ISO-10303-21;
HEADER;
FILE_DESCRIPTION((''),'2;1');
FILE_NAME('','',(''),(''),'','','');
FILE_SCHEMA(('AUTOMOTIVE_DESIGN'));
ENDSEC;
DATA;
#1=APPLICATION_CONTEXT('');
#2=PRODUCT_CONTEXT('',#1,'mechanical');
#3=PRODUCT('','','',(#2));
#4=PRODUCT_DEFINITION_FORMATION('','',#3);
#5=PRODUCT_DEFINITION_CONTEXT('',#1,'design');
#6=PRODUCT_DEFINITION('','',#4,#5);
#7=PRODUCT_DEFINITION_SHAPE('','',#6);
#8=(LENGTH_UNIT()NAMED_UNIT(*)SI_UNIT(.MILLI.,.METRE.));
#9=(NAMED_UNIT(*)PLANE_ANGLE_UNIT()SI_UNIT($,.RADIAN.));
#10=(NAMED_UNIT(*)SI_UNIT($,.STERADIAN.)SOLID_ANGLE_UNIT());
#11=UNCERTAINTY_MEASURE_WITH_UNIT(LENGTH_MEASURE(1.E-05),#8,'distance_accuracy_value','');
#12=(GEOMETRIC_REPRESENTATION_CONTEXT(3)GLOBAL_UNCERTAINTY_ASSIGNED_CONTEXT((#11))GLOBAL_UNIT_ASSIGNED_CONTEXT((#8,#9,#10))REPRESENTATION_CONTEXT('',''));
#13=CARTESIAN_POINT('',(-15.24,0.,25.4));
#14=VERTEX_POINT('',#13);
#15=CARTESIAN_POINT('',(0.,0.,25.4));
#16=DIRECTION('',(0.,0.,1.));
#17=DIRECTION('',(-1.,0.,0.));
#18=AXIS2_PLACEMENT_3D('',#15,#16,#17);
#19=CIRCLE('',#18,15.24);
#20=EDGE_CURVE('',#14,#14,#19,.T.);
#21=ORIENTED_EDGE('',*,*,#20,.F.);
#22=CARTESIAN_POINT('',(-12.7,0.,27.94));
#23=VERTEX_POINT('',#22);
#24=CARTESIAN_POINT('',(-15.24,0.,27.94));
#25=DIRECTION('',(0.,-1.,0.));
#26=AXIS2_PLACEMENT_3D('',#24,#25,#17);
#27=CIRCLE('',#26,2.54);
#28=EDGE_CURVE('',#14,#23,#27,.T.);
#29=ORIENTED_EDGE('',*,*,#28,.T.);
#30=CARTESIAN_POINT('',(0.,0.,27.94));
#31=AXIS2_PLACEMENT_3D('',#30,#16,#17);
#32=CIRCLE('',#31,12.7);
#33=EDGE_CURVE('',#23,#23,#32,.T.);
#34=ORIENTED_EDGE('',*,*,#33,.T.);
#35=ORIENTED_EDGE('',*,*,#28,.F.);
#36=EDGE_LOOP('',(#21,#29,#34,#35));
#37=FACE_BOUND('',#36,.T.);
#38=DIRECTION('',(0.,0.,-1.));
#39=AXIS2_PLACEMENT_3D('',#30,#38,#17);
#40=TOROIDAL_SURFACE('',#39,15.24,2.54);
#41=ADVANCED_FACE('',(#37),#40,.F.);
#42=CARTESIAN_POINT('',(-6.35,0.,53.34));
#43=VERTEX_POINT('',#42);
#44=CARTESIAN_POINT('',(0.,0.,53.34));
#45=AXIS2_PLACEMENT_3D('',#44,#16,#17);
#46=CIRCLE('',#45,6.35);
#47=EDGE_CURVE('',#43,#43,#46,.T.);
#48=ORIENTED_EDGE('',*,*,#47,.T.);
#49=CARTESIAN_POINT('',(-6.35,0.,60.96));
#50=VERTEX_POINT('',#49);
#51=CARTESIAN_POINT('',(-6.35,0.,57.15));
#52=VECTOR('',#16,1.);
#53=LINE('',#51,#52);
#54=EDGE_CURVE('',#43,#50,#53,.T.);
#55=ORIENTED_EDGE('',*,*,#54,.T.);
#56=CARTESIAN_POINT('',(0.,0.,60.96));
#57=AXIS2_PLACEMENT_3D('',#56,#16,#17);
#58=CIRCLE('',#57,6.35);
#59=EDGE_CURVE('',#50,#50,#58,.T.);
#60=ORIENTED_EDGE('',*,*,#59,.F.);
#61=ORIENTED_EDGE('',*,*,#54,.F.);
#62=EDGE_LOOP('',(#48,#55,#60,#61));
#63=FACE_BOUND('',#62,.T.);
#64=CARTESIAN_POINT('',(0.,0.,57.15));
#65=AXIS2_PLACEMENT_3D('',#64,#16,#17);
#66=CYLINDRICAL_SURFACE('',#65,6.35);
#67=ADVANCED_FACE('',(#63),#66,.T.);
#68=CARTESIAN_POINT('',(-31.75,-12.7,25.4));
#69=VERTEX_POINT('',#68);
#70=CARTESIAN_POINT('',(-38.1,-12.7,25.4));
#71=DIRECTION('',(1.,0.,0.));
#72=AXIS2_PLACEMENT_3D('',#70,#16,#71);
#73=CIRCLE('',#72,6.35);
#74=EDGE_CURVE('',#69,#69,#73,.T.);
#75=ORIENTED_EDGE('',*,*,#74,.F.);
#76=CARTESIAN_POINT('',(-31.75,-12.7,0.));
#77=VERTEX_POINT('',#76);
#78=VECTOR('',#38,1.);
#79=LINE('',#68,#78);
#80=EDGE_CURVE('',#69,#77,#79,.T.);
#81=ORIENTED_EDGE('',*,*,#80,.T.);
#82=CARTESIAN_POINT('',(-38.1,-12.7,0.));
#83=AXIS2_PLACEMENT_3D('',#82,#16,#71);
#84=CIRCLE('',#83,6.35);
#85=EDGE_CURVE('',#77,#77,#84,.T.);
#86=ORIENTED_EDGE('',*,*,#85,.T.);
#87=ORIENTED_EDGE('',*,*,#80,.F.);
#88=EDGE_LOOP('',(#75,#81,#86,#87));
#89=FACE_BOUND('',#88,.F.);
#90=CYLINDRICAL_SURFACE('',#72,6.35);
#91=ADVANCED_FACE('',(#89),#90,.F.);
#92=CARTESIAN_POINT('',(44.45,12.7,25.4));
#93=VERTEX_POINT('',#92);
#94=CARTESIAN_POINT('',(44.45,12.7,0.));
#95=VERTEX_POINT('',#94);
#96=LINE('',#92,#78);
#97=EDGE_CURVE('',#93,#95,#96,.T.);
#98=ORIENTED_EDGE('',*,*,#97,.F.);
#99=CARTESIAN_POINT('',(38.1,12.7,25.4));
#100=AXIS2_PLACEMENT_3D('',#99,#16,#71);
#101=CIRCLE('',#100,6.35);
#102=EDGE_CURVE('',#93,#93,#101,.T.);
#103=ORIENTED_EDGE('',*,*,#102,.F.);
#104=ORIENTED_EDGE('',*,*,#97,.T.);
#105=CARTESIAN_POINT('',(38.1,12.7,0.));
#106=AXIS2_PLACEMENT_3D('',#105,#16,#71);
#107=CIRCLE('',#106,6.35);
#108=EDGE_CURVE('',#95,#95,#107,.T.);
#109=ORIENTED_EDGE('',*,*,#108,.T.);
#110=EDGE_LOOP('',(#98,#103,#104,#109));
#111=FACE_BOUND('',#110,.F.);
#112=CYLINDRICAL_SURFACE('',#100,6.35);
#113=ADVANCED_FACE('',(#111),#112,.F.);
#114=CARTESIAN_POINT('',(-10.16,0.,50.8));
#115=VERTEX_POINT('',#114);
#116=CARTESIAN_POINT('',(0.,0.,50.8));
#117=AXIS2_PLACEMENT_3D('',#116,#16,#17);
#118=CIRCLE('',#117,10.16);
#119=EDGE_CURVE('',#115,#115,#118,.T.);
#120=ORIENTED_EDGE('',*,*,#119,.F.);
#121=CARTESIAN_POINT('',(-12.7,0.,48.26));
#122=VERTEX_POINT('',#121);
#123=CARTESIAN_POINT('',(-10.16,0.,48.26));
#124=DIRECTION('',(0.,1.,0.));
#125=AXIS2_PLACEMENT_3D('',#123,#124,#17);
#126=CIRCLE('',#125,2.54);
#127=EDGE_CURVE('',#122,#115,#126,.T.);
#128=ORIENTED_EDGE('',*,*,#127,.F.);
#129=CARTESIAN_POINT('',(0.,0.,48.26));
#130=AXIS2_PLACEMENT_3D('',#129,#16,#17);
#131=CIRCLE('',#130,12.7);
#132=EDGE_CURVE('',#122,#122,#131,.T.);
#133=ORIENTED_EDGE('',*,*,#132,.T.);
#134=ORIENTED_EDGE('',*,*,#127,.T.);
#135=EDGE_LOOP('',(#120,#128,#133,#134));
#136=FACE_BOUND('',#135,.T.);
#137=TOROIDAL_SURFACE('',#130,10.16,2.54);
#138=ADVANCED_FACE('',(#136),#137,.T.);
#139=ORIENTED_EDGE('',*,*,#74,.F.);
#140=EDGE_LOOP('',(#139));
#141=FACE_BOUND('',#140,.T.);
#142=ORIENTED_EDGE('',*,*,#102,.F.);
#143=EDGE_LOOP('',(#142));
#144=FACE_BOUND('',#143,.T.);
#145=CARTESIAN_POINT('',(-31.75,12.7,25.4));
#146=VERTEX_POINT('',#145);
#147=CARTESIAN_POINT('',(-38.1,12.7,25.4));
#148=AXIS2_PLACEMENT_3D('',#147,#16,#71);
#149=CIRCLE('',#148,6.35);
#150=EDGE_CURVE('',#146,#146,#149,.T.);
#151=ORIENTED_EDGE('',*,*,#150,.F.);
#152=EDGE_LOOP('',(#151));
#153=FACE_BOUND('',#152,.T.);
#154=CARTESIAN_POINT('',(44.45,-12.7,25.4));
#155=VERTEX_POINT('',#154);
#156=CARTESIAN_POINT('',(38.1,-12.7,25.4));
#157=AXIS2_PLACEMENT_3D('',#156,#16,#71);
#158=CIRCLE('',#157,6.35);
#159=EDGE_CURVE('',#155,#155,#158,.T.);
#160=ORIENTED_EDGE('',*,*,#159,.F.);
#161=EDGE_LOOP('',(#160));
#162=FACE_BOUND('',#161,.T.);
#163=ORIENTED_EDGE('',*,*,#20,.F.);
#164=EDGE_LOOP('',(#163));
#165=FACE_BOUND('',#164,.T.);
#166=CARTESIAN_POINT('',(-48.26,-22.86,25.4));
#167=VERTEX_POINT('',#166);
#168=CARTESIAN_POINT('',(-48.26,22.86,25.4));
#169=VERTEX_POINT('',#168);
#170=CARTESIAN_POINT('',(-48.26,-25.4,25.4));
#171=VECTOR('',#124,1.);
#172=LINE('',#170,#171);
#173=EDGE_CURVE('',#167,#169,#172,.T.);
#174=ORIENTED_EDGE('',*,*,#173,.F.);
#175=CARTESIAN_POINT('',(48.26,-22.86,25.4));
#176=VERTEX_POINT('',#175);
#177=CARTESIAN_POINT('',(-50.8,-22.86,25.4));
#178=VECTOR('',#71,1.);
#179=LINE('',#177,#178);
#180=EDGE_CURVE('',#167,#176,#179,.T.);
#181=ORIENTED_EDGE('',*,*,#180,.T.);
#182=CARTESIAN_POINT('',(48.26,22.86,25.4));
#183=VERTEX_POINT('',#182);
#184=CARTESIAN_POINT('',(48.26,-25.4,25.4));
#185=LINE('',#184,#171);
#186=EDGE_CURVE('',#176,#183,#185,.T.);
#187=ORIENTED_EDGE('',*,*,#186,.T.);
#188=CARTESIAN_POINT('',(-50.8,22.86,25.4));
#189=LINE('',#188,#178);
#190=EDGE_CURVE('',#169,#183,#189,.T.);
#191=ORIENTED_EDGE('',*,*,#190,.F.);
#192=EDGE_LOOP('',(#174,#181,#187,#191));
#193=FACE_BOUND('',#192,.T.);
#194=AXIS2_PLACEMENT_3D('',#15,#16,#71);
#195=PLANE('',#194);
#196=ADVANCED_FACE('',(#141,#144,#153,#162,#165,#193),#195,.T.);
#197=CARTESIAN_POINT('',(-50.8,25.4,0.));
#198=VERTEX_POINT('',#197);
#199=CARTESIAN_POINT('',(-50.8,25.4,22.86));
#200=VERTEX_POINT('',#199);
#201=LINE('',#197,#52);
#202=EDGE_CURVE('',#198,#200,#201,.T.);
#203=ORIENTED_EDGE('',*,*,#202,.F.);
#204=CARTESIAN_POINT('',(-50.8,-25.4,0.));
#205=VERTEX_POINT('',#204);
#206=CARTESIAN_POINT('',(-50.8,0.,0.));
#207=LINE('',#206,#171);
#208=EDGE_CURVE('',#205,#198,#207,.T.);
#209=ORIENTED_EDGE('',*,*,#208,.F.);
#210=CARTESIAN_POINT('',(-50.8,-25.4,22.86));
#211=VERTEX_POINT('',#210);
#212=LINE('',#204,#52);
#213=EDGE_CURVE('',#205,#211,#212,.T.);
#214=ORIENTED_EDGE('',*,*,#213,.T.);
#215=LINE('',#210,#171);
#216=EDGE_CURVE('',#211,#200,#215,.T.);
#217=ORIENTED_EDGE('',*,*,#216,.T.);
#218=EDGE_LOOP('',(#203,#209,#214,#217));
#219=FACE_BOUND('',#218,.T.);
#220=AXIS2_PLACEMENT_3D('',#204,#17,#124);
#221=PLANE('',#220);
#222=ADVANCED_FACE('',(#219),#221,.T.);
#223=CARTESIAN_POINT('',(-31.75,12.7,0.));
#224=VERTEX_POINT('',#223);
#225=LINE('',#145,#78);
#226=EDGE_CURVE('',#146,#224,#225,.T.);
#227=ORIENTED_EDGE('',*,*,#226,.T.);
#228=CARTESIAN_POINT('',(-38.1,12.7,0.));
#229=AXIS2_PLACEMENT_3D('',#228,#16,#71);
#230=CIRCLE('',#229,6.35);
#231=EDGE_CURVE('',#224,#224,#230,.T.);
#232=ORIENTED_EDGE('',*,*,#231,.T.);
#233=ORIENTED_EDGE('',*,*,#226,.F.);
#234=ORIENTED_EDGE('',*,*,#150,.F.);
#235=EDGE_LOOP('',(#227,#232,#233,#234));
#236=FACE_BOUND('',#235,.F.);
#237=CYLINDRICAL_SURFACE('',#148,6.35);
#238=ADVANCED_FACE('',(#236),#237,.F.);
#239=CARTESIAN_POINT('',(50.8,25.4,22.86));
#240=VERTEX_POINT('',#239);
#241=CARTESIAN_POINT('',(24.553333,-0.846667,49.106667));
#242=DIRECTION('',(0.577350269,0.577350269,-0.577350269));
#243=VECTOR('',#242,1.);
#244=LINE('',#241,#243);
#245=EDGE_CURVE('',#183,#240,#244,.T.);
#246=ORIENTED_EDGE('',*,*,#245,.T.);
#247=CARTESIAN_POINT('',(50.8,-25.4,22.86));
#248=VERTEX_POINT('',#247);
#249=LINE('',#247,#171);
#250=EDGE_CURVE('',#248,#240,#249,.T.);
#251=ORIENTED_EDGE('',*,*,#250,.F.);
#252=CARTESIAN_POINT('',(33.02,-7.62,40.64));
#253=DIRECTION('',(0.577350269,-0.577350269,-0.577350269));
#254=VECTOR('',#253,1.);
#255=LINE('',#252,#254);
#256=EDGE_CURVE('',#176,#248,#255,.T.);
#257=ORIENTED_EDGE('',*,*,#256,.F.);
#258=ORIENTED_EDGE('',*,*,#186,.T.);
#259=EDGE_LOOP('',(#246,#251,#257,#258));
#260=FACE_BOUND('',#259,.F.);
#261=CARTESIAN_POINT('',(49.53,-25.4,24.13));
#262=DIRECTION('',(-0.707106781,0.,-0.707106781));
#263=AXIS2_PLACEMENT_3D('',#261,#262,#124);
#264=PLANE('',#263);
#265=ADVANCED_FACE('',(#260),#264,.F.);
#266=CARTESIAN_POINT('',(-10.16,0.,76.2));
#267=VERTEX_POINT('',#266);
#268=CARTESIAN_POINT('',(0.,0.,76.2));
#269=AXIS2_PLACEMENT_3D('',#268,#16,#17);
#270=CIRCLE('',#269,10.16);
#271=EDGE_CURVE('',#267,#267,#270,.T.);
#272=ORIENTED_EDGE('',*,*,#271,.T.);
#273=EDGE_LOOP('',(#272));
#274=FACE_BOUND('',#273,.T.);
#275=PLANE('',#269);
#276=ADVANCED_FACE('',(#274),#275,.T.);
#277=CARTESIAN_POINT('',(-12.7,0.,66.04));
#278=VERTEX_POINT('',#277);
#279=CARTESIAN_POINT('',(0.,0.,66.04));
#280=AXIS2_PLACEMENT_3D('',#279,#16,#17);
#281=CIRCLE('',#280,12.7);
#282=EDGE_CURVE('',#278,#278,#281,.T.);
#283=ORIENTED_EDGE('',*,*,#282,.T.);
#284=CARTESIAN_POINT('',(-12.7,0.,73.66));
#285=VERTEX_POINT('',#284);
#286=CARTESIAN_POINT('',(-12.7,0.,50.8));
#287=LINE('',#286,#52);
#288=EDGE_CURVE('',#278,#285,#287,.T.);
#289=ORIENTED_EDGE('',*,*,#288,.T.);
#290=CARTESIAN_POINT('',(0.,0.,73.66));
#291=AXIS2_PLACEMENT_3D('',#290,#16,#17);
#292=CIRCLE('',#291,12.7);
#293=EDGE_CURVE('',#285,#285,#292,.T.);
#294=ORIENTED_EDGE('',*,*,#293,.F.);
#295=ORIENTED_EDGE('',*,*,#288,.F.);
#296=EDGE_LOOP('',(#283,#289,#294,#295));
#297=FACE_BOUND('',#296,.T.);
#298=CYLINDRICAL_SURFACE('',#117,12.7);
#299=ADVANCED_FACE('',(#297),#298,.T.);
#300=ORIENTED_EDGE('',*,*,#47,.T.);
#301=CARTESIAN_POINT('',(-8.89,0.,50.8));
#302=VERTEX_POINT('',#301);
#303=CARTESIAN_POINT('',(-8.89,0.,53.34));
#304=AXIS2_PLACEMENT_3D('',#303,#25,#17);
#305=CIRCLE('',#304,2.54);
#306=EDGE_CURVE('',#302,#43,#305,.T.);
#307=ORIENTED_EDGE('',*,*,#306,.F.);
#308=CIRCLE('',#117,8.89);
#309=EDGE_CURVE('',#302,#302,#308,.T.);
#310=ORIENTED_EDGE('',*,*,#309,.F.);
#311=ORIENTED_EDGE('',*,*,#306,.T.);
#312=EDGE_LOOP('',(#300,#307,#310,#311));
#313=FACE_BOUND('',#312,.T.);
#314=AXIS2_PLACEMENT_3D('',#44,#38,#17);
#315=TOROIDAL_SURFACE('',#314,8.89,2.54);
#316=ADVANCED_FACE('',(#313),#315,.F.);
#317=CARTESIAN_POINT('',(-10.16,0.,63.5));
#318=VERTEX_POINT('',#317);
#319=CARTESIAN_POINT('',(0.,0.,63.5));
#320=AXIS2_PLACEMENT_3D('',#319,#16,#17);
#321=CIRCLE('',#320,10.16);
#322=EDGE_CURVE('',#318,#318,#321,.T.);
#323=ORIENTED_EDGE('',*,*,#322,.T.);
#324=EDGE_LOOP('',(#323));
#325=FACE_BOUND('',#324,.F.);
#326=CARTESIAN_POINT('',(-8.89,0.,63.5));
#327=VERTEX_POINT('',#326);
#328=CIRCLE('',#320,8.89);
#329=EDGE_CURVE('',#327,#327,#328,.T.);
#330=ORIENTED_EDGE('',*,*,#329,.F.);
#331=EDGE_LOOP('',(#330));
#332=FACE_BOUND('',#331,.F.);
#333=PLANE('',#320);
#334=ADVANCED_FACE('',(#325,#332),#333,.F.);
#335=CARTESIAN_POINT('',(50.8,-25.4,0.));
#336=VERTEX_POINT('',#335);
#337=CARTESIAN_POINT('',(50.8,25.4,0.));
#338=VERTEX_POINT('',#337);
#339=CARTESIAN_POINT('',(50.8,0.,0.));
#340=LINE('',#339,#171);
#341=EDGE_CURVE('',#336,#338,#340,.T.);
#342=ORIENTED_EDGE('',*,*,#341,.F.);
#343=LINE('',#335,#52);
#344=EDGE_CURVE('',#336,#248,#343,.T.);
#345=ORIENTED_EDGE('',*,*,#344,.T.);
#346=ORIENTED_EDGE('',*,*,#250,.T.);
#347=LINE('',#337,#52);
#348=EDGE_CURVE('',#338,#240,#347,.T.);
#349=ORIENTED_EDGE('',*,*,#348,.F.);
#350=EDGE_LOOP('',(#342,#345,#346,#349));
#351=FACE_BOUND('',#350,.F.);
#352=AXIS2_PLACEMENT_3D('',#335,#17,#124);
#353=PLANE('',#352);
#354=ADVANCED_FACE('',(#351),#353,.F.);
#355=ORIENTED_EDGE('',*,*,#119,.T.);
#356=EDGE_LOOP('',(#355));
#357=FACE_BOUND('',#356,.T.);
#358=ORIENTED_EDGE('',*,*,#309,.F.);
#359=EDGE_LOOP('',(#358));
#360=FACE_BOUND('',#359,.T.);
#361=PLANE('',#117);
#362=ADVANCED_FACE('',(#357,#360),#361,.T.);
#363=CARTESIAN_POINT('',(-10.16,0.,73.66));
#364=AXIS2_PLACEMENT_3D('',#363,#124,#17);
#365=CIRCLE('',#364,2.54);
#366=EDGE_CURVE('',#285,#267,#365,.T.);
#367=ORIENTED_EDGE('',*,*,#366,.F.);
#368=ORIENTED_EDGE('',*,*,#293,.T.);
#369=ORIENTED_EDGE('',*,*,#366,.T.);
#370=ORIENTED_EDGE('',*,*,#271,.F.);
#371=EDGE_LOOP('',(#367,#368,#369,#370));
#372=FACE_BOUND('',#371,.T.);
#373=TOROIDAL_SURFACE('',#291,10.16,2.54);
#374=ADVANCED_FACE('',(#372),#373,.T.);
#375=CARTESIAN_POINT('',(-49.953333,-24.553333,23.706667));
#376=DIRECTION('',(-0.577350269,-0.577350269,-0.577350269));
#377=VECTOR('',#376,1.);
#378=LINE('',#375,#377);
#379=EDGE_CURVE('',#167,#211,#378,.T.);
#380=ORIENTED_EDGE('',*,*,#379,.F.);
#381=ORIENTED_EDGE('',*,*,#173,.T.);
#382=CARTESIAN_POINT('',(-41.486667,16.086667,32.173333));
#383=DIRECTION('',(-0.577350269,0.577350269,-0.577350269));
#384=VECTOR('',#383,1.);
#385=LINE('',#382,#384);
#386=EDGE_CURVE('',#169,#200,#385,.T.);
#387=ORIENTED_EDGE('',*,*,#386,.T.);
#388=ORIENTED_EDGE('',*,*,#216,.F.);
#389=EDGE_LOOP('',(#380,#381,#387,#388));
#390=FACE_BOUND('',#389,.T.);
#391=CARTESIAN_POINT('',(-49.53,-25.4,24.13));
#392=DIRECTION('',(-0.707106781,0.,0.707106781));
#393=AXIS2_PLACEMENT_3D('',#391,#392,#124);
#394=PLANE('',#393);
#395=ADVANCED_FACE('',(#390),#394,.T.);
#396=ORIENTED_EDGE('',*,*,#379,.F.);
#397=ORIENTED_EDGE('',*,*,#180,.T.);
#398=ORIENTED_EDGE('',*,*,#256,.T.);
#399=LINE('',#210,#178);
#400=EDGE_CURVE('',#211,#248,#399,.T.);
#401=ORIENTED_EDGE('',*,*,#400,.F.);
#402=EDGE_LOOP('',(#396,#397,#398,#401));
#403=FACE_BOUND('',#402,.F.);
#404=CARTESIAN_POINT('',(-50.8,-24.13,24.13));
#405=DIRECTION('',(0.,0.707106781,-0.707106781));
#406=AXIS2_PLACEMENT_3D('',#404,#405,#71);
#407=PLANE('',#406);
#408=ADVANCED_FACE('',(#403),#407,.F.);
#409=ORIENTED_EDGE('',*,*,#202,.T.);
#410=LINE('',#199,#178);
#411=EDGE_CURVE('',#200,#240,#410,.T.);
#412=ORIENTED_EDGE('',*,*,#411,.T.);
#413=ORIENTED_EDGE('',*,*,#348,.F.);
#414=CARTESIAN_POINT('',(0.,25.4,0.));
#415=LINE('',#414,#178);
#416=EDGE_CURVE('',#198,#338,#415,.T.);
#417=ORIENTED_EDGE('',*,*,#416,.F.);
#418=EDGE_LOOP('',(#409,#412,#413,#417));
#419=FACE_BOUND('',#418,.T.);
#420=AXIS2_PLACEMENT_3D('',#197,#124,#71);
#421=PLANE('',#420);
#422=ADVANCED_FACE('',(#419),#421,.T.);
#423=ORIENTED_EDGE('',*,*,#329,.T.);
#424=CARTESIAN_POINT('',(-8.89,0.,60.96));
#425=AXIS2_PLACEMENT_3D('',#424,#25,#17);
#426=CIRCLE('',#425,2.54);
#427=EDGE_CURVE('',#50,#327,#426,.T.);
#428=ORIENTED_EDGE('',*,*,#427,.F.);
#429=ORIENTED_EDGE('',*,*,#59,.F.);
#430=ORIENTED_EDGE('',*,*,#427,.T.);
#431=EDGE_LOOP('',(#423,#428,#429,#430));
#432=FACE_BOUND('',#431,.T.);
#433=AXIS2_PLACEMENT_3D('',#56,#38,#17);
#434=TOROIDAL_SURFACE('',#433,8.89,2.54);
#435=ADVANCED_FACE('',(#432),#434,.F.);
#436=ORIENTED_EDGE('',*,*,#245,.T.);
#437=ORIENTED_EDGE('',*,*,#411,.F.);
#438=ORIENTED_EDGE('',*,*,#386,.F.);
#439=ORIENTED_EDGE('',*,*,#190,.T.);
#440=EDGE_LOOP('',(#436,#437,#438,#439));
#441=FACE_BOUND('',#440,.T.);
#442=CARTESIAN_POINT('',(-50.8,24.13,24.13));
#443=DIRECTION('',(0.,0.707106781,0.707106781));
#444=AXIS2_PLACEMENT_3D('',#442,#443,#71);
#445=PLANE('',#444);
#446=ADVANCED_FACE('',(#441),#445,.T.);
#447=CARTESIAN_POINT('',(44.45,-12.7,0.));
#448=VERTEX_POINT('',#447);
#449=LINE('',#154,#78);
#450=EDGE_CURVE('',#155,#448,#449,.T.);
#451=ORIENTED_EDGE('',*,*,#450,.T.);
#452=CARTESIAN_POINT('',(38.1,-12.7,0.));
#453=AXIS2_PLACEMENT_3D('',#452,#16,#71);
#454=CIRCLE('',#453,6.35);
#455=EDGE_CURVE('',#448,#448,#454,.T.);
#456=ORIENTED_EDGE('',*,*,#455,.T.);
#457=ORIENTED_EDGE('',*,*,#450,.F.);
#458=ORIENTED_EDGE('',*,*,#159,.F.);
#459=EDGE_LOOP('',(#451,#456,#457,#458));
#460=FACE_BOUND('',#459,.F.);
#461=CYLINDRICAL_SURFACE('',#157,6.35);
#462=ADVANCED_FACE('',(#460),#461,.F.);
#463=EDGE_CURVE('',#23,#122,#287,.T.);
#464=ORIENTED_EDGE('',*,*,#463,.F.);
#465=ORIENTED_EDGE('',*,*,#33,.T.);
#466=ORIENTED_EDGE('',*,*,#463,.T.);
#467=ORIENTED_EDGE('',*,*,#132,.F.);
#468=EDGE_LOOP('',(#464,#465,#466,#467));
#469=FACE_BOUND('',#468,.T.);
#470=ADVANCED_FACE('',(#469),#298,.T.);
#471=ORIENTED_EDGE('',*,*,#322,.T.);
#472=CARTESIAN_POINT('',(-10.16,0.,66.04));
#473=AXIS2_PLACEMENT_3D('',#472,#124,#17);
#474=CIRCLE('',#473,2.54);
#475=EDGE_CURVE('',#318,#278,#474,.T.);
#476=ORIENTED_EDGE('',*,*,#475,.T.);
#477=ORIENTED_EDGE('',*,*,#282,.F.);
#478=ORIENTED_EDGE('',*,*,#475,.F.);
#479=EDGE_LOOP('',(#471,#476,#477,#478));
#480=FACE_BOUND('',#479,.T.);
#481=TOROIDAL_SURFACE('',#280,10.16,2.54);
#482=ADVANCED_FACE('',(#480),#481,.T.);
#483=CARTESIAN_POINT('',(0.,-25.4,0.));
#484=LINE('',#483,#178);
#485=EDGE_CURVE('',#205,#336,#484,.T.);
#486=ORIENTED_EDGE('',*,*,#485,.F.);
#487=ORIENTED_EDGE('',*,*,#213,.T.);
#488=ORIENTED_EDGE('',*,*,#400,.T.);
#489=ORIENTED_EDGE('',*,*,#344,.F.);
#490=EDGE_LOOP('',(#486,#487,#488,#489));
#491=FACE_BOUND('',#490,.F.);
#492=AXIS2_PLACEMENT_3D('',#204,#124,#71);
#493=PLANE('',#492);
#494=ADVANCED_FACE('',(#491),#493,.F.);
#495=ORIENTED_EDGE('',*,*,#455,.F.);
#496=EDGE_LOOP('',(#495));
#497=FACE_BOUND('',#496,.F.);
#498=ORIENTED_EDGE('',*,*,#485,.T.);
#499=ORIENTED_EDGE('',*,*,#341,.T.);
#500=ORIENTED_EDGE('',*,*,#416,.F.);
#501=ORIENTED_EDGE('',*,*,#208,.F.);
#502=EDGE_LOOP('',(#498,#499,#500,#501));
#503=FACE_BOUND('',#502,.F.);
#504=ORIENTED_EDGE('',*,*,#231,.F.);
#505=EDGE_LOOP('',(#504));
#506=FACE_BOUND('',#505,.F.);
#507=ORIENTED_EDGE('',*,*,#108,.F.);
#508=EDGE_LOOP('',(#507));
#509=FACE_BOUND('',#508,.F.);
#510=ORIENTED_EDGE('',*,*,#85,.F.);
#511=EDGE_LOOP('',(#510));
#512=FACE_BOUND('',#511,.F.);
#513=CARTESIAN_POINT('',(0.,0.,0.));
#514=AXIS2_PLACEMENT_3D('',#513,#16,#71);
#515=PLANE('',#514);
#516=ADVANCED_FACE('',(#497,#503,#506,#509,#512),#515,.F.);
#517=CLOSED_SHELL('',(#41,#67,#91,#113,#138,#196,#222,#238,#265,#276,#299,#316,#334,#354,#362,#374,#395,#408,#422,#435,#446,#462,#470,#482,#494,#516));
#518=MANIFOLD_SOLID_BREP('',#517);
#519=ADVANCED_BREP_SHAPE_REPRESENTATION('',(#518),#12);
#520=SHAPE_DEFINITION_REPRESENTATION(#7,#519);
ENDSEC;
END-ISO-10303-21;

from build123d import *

# Parameters (mm, degrees)
F0_W     = 101.6
F0_H     = 50.8
F1_DEPTH = 25.4
F2_R     = 6.35
F3_DEPTH = 25.401
F4_W     = 12.7
F4_H     = 50.8
F6_W     = 11.5008536689
F6_H     = 12.7
F8_R     = 2.54
F9_SIZE  = 2.54


with BuildPart() as f1:
    # F0 (on Top) → F1 (new body)
    with BuildSketch(Plane.XY):
        Rectangle(F0_W, F0_H)
    extrude(amount=F1_DEPTH)

    # F2 (on face) → F3 (cut, through all)
    with BuildSketch(Plane.XY.offset(25.4)):
        with Locations((-38.1, 12.7)):
            Circle(F2_R)
        with Locations((38.1, 12.7)):
            Circle(F2_R)
        with Locations((-38.1, -12.7)):
            Circle(F2_R)
        with Locations((38.1, -12.7)):
            Circle(F2_R)
    extrude(amount=-F3_DEPTH, mode=Mode.SUBTRACT)

    # F4 (on Front) → F5 (revolve)
    with BuildSketch(Plane.XZ):
        with Locations((-6.35, 50.8)):
            Rectangle(F4_W, F4_H)
    revolve(axis=Axis((0, 0, 50.8), (0, 0, 1)))

    # F6 (on Front) → F7 (revolve, cut)
    with BuildSketch(Plane.XZ):
        with Locations((-12.1004268345, 57.15)):
            Rectangle(F6_W, F6_H)
    revolve(axis=Axis((0, 0, 43.2208366692), (0, 0, 1)), mode=Mode.SUBTRACT)

    # F8
    f8_edges = [f1.edges().sort_by_distance(p)[0] for p in [
        (12.7, 0, 50.8),
        (12.7, 0, 25.4),
        (12.7, 0, 63.5),
        (12.7, 0, 76.2),
        (6.35, 0, 63.5),
        (6.35, 0, 50.8),
    ]]
    fillet(f8_edges, radius=F8_R)

    # F9
    f9_edges = [f1.edges().sort_by_distance(p)[0] for p in [
        (0, -25.4, 25.4),
        (50.8, 0, 25.4),
        (0, 25.4, 25.4),
        (-50.8, 0, 25.4),
    ]]
    chamfer(f9_edges, length=F9_SIZE)


solid = f1.part
